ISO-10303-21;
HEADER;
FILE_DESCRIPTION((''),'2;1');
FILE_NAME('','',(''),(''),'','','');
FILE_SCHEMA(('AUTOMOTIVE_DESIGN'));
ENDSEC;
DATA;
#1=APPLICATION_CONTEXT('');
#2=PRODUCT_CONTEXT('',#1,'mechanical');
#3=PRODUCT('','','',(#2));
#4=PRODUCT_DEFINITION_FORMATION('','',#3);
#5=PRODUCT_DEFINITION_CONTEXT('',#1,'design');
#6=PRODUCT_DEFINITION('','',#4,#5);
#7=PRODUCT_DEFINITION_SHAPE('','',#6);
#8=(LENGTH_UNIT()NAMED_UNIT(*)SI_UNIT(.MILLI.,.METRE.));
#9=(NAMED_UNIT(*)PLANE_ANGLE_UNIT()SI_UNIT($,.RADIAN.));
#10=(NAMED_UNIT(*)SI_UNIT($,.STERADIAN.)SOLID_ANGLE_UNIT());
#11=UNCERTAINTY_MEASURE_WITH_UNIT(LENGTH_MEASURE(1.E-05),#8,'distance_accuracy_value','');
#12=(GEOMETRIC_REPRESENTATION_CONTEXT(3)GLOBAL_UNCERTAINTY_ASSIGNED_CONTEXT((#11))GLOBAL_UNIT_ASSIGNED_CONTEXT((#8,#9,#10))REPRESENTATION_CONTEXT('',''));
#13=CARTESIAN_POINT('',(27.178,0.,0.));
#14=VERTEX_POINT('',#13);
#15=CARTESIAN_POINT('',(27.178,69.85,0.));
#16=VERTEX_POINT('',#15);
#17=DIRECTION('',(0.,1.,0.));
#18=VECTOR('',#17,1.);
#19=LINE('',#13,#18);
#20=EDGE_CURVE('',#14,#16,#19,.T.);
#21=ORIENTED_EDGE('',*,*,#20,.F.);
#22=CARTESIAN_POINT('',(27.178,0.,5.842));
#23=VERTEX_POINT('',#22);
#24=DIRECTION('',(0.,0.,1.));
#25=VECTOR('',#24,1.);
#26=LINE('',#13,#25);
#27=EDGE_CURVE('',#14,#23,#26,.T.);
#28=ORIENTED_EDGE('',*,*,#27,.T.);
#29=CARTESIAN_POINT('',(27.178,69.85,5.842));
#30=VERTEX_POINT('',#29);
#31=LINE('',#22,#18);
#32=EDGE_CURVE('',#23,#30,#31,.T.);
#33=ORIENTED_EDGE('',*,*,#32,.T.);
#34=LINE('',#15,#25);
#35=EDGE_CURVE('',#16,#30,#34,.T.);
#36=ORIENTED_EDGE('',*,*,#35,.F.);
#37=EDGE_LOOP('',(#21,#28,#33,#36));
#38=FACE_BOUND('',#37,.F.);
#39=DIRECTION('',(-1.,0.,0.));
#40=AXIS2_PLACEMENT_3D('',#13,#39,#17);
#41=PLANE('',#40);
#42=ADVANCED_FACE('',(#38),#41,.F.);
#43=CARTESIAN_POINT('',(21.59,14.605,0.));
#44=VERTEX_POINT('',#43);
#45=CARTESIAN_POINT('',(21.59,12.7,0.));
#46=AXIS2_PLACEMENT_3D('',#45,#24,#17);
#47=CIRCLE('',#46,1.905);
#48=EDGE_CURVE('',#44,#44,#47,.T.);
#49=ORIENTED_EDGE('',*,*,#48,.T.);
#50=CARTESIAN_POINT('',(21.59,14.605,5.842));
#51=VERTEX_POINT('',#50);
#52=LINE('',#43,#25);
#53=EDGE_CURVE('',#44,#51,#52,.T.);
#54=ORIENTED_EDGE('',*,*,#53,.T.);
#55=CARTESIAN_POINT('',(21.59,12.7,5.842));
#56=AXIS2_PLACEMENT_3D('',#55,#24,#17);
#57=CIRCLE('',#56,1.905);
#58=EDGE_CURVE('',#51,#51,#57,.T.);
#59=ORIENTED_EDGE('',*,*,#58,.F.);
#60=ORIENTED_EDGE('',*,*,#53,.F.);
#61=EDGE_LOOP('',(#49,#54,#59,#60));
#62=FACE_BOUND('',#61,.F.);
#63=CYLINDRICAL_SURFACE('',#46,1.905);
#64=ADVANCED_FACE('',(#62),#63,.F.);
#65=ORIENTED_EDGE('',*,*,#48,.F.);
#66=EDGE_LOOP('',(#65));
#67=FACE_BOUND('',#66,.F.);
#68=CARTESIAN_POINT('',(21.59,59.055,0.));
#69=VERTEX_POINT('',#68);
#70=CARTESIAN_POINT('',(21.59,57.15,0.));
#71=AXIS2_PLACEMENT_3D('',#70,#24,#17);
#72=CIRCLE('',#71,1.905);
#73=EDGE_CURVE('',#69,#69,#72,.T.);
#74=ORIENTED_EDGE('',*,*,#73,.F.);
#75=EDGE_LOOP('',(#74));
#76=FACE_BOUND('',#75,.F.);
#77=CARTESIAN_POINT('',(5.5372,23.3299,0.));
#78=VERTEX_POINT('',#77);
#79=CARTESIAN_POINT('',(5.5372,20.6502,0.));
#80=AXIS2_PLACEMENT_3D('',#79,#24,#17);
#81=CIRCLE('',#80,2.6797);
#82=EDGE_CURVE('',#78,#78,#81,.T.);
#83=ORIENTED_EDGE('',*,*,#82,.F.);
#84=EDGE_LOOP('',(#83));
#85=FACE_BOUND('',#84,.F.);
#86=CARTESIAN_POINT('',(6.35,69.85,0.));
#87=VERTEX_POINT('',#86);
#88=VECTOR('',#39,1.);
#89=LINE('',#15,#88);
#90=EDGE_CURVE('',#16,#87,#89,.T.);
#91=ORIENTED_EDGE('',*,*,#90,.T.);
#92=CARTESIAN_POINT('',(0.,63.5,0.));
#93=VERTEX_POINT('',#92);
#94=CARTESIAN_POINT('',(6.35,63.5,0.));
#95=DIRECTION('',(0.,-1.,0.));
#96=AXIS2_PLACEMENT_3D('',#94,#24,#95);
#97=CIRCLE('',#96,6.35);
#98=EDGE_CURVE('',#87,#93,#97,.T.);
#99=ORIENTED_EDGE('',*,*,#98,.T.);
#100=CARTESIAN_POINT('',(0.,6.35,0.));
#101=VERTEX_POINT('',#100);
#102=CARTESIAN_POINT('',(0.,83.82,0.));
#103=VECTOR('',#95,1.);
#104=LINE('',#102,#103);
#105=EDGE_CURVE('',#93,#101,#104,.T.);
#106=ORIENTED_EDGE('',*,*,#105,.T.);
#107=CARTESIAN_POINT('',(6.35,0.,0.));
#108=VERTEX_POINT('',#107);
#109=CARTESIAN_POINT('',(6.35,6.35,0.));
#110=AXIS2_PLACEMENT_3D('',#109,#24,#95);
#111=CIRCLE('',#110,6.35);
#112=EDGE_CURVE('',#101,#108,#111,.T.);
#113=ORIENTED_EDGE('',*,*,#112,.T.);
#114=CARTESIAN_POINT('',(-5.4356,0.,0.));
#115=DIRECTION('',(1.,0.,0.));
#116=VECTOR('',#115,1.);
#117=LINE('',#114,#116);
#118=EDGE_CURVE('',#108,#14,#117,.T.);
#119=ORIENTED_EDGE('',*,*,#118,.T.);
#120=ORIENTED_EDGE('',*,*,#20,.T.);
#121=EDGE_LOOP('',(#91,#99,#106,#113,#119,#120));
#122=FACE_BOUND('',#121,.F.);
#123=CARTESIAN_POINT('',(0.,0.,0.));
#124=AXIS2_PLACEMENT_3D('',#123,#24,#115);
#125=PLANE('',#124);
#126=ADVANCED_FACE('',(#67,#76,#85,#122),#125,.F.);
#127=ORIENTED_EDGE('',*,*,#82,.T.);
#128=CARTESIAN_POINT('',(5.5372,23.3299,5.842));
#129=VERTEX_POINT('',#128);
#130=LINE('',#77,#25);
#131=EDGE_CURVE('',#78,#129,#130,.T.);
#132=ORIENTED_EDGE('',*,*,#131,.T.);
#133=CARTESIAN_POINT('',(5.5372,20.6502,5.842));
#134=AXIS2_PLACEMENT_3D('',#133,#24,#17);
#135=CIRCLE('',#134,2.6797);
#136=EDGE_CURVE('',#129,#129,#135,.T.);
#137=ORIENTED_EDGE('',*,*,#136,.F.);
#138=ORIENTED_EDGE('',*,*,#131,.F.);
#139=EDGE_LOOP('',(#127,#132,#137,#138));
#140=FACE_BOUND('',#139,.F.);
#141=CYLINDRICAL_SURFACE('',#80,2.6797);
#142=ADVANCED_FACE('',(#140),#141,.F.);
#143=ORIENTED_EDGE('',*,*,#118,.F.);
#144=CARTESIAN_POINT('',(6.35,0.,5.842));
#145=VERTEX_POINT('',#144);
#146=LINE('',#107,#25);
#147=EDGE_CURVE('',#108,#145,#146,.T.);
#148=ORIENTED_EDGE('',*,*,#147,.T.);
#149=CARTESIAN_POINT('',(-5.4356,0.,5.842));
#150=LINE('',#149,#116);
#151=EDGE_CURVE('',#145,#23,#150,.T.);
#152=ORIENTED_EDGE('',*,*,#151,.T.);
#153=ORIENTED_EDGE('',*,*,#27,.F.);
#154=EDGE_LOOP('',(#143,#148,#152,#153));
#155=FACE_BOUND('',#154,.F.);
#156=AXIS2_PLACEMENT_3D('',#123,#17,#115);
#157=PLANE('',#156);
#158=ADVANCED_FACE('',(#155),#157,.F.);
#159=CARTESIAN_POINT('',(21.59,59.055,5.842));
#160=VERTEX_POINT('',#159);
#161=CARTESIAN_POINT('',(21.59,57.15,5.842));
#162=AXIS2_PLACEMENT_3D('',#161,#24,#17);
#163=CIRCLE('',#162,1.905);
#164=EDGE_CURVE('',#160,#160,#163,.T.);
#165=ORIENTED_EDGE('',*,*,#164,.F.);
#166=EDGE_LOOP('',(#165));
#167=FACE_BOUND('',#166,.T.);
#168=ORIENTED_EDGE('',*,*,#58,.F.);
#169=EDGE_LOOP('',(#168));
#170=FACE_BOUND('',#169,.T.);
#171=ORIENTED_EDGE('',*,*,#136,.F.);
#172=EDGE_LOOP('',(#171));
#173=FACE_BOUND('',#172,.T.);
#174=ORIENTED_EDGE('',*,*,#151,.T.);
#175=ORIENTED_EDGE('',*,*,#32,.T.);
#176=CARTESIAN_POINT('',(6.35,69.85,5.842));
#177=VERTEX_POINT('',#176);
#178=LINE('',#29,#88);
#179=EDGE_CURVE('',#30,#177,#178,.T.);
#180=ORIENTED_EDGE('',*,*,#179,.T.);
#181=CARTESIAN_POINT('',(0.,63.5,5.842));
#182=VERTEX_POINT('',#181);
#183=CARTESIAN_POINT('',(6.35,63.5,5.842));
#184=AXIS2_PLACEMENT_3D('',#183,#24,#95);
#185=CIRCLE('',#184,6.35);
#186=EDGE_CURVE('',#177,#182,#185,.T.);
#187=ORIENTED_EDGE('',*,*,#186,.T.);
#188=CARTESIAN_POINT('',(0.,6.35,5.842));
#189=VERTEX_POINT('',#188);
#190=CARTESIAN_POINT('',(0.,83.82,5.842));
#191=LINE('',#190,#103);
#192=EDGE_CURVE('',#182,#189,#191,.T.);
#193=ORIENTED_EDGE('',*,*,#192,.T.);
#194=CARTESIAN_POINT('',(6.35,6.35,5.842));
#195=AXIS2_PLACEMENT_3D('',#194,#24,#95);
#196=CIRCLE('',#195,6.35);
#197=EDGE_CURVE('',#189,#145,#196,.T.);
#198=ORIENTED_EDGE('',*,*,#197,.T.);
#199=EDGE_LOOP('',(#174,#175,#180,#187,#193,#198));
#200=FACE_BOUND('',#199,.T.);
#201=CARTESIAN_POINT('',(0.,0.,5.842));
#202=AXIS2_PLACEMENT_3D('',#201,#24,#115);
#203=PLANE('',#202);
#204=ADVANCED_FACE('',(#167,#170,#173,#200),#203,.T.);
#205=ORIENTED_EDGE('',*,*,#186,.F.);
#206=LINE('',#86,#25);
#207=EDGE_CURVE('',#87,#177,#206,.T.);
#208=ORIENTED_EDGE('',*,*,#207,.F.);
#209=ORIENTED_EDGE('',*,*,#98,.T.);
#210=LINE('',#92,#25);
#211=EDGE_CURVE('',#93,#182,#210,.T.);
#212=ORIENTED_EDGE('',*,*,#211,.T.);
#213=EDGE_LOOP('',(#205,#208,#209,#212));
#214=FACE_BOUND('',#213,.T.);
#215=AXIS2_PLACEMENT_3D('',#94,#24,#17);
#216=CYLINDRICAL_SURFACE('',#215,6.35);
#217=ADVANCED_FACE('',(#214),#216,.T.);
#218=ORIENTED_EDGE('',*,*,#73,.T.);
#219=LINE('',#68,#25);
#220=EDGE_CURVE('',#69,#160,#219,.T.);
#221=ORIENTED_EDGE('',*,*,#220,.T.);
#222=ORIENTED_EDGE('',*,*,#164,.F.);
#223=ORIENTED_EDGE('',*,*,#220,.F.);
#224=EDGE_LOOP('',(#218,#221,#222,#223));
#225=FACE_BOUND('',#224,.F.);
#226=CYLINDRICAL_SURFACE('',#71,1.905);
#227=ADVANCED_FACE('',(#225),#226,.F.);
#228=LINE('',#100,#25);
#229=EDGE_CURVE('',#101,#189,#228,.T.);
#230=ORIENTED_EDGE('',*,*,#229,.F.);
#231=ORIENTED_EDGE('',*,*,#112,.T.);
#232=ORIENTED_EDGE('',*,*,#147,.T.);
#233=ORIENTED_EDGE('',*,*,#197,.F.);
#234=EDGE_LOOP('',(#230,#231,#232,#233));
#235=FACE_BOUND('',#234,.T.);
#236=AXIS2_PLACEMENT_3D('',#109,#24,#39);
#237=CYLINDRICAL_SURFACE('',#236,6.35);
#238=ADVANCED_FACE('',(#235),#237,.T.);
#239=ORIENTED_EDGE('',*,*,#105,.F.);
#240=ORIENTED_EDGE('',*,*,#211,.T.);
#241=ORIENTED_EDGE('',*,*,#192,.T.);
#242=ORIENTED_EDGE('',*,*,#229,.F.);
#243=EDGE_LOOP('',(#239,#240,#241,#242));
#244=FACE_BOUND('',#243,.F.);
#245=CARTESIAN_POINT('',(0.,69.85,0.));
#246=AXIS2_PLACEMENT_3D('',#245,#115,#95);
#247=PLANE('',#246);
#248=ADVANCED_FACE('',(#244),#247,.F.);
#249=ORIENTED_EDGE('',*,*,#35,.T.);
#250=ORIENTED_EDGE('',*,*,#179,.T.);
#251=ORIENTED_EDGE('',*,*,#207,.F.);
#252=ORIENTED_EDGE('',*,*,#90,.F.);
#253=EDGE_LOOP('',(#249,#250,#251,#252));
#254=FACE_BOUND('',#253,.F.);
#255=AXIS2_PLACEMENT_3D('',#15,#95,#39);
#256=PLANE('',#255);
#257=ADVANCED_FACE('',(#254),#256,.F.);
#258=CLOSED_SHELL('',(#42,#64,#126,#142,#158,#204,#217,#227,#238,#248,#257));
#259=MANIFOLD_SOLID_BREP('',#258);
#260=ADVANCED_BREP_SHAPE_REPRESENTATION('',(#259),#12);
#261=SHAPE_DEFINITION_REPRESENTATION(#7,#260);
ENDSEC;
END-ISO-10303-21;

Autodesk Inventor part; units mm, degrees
ref_plane "YZ Plane" through (0, 0, 0) normal (1, 0, 0) x (0, 1, 0)
ref_plane "XZ Plane" through (0, 0, 0) normal (0, 1, 0) x (-1, 0, 0)
ref_plane "XY Plane" through (0, 0, 0) normal (0, 0, 1) x (1, 0, 0)
sketch "Sketch1" plane through (0, 0, 0) normal (0, 0, 1) x (1, 0, 0)
  line L0 (0, 83.82) -> (0, -13.97) projected
  line L1 (-5.4356, 0) -> (32.6136, 0) projected
  line L2 (0, 0) -> (27.178, 0)
  line L3 (27.178, 0) -> (27.178, 69.85)
  line L4 (27.178, 69.85) -> (0, 69.85)
  line L5 (0, 69.85) -> (0, 0)
  line L6 (0, 34.925) -> (27.178, 34.925) construction
  point P0 (5.5372, 20.6502)
  point P1 (21.59, 57.15)
  point P2 (21.59, 12.7)
  dimension "d0" = 27.178
  dimension "d1" = 69.85
  dimension "d9" = 5.588
  dimension "d10" = 22.225
  dimension "d11" = 22.225
  dimension "d29" = 21.6408
  dimension "d30" = 20.6502
extrude "Extrusion1" add sketch "Sketch1" along normal blind 5.842
hole "Hole1" at (21.59, 57.15, 0) at (21.59, 12.7, 0) direction (0, 0, 1) diameter 3.81 end through all
hole "Hole2" at (5.5372, 20.6502, 0) direction (0, 0, 1) diameter 5.3594 end through all clearance for "Flat Head Machine Screw (82)" size "#10" standard "Ansi Unified Screw Threads"
fillet "Fillet1" radius 6.35 2 edges at (0, 69.85, 2.921) (0, 0, 2.921)
